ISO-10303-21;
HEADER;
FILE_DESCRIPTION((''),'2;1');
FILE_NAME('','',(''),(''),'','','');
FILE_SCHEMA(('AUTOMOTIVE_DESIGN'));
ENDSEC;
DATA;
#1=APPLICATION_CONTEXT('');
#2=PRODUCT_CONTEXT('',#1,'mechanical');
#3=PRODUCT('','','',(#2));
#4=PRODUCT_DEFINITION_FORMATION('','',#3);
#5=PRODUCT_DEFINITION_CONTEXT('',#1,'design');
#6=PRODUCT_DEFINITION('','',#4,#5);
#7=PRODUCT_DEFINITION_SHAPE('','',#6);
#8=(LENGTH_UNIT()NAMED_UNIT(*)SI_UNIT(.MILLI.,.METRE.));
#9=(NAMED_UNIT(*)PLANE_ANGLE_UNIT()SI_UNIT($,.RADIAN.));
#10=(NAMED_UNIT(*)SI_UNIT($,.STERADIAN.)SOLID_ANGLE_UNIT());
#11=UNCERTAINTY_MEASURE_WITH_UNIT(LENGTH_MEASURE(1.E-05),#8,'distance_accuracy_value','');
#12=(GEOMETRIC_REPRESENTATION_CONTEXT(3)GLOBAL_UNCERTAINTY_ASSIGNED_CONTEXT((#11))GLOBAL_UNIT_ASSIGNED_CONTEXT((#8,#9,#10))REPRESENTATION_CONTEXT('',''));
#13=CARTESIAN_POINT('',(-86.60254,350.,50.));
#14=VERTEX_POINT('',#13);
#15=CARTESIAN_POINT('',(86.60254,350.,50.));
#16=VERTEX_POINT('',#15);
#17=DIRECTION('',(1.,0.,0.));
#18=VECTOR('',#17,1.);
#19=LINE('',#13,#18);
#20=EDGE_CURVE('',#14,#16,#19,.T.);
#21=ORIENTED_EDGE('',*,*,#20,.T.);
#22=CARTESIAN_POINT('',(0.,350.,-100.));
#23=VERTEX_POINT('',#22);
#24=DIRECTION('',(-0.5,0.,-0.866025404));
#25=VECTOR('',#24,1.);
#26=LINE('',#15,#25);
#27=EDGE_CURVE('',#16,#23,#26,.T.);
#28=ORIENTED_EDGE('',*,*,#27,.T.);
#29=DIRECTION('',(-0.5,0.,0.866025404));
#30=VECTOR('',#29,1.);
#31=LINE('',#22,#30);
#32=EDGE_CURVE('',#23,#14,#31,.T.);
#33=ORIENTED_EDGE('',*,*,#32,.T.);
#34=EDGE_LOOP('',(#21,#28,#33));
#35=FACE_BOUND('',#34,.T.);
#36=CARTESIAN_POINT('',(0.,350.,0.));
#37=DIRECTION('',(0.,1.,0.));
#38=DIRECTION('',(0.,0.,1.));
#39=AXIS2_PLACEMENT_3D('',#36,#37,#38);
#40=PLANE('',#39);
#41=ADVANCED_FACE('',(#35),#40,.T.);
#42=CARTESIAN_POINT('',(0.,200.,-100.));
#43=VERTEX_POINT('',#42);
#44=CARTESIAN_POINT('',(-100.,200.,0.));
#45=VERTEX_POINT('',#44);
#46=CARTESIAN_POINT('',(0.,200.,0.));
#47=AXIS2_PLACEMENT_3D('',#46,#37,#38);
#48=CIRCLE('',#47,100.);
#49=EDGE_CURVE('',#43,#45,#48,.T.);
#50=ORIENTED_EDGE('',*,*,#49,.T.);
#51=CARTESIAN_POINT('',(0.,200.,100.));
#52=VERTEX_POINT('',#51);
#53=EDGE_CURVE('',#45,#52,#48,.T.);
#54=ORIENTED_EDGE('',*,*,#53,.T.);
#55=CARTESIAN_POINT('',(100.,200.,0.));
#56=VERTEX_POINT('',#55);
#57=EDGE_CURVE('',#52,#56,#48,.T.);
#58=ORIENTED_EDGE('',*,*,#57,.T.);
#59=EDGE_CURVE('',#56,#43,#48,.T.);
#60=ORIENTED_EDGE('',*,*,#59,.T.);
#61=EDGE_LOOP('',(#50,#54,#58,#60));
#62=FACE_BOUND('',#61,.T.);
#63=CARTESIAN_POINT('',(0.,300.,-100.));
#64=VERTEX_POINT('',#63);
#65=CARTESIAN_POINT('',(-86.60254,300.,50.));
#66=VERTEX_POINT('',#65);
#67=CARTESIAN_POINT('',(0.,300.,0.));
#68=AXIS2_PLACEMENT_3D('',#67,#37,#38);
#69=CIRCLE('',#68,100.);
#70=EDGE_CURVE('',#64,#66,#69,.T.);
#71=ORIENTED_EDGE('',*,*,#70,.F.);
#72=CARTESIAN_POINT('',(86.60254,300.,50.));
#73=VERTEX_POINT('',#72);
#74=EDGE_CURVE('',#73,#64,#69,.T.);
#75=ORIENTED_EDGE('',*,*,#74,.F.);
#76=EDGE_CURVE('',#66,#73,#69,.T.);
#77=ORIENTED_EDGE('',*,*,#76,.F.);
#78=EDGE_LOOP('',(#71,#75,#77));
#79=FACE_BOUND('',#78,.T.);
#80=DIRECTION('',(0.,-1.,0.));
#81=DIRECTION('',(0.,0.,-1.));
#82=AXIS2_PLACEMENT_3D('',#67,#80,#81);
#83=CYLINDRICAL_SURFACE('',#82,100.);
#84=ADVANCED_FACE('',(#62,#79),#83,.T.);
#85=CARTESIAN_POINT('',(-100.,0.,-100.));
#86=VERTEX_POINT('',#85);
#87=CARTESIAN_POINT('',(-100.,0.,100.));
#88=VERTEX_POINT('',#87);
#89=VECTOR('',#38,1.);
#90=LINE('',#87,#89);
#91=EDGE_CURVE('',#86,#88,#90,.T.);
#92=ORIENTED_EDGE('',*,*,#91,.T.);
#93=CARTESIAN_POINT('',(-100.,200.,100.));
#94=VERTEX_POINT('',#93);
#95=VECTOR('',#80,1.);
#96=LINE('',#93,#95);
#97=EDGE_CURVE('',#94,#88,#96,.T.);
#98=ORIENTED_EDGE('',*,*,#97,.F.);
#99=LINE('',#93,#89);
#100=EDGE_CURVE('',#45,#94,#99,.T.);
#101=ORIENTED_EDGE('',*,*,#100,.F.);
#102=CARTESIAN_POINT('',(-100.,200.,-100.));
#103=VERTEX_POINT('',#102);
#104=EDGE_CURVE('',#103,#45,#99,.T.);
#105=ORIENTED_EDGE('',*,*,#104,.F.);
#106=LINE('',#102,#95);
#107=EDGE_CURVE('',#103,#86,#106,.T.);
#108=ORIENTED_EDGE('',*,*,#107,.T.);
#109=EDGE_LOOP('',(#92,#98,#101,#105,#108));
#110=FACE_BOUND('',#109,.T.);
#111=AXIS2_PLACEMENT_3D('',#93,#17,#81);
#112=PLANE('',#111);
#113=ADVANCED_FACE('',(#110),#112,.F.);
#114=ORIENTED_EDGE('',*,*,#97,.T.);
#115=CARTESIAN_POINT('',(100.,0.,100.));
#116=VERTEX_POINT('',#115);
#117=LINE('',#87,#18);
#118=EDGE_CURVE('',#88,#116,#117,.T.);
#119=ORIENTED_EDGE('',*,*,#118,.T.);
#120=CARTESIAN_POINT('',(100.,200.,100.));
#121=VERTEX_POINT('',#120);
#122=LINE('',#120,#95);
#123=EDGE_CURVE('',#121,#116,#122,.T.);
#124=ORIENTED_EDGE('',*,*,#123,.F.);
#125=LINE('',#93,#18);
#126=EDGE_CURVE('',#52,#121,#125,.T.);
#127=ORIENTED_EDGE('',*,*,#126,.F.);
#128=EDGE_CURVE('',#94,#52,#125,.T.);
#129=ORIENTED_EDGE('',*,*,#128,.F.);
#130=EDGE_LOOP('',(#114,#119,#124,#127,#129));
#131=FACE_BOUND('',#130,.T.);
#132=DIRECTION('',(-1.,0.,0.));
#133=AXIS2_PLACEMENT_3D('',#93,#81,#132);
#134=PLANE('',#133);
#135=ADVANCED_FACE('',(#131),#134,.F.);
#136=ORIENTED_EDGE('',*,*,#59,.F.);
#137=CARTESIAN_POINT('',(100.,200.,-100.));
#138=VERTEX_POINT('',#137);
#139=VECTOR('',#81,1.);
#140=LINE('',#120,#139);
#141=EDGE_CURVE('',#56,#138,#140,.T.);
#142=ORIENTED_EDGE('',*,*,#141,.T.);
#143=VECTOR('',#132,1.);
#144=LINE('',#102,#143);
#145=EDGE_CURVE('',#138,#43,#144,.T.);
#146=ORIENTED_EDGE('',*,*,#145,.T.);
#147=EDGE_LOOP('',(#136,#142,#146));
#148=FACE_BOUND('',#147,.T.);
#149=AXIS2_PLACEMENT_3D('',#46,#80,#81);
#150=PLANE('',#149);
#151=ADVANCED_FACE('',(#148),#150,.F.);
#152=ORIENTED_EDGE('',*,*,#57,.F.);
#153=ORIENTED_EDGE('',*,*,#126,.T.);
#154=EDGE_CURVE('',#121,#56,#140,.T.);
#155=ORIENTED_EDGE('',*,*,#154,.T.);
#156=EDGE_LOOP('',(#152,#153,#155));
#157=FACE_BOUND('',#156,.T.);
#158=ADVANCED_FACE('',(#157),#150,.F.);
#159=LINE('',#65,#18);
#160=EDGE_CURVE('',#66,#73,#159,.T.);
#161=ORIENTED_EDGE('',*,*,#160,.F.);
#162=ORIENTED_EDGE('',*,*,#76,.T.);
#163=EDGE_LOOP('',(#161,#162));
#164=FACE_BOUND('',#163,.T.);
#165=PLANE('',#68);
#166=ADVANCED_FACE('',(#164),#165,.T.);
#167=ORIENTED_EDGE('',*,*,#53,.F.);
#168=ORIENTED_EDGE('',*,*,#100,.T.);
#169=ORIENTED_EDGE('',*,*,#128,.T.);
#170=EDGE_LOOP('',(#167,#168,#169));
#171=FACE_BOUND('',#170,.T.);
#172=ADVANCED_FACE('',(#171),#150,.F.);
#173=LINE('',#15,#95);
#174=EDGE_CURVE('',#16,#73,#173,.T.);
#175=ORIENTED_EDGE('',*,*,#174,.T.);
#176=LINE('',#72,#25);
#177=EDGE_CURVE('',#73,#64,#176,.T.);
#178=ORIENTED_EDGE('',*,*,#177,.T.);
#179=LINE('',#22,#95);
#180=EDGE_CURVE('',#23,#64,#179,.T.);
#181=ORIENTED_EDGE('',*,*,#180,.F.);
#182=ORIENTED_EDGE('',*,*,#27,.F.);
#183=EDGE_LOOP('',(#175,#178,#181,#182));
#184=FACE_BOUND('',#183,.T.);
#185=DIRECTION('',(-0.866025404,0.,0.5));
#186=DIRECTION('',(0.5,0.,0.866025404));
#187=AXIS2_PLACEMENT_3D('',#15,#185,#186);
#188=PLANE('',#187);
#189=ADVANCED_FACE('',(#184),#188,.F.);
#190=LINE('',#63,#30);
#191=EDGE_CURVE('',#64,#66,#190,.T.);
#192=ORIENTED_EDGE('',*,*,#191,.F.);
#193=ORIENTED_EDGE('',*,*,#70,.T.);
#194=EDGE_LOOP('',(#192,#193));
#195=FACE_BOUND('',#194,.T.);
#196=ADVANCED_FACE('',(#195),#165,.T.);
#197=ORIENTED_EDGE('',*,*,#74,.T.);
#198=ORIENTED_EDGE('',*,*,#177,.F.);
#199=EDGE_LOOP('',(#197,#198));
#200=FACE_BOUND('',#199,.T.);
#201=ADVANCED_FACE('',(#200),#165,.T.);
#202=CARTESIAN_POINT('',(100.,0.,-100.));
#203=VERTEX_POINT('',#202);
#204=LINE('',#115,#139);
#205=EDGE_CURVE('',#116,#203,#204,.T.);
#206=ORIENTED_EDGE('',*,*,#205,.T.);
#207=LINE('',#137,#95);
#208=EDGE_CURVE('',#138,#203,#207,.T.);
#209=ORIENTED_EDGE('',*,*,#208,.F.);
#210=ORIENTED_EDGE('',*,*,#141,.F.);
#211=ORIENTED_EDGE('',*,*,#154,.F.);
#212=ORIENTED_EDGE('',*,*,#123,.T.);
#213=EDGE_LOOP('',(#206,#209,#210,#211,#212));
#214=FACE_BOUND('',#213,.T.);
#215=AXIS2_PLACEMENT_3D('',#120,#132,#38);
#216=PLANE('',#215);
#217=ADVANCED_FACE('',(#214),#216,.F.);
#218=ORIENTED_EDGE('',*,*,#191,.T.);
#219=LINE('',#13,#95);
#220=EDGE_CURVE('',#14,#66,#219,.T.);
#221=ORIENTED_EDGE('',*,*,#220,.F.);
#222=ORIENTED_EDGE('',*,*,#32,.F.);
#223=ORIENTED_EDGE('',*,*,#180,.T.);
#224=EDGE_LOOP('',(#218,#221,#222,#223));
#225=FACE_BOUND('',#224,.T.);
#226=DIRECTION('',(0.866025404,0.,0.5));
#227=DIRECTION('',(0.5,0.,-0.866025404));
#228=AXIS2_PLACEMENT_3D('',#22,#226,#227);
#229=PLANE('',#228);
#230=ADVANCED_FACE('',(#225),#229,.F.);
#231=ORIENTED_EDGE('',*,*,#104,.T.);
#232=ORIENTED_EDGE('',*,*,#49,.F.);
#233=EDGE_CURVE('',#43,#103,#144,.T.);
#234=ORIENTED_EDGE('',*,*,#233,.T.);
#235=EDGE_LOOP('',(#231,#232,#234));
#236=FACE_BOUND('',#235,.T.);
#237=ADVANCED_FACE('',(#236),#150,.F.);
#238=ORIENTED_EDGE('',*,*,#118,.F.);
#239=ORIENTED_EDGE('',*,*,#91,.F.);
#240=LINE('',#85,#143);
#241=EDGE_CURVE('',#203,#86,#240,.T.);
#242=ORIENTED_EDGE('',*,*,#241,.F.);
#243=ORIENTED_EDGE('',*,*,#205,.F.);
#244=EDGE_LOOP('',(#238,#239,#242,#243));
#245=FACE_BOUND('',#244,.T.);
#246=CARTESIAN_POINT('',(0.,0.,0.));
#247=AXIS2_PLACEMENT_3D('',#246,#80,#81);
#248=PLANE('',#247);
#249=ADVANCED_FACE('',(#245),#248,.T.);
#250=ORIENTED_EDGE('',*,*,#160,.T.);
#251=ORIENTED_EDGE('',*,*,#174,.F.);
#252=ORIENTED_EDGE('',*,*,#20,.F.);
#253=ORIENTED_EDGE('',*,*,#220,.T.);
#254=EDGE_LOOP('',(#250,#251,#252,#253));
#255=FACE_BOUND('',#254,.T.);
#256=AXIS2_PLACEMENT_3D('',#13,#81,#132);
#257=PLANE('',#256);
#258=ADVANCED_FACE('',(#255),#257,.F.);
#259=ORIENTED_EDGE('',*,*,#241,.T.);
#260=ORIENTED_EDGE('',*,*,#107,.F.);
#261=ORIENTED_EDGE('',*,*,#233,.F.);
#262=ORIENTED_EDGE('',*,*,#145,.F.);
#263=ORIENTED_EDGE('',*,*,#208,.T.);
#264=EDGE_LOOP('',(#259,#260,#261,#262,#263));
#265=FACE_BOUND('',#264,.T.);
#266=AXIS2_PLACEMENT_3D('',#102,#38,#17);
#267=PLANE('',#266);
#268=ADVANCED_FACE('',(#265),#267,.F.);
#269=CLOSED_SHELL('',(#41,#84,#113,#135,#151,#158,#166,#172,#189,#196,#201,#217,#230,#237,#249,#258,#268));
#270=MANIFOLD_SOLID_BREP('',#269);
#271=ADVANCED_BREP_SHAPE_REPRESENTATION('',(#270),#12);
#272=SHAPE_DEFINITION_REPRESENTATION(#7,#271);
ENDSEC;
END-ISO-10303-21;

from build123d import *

# Parameters (mm, degrees)
SKETCH1_W           = 200
SKETCH1_H           = 200
BOSS_EXTRUDE2_DEPTH = 200
SKETCH3_R           = 100
BOSS_EXTRUDE3_DEPTH = 100
BOSS_EXTRUDE4_DEPTH = 50


with BuildPart() as part:
    # Sketch1 → Boss-Extrude2 (new body)
    with BuildSketch(Plane(origin=(0, 0, 0), x_dir=(1, 0, 0), z_dir=(0, 1, 0))):
        Rectangle(SKETCH1_W, SKETCH1_H)
    extrude(amount=BOSS_EXTRUDE2_DEPTH)

    # Sketch3 → Boss-Extrude3 (add)
    with BuildSketch(Plane(origin=(0, 200, 0), x_dir=(1, 0, 0), z_dir=(0, 1, 0))):
        with Locations(Location((0, 0, 0), (0, 0, 270))):
            Circle(SKETCH3_R)
    extrude(amount=BOSS_EXTRUDE3_DEPTH)

    # Sketch4 → Boss-Extrude4 (add)
    with BuildSketch(Plane(origin=(0, 300, 0), x_dir=(1, 0, 0), z_dir=(0, 1, 0))):
        Polygon((0, 100), (-86.602540378, -50), (86.602540378, -50), align=None)
    extrude(amount=BOSS_EXTRUDE4_DEPTH)


solid = part.part
